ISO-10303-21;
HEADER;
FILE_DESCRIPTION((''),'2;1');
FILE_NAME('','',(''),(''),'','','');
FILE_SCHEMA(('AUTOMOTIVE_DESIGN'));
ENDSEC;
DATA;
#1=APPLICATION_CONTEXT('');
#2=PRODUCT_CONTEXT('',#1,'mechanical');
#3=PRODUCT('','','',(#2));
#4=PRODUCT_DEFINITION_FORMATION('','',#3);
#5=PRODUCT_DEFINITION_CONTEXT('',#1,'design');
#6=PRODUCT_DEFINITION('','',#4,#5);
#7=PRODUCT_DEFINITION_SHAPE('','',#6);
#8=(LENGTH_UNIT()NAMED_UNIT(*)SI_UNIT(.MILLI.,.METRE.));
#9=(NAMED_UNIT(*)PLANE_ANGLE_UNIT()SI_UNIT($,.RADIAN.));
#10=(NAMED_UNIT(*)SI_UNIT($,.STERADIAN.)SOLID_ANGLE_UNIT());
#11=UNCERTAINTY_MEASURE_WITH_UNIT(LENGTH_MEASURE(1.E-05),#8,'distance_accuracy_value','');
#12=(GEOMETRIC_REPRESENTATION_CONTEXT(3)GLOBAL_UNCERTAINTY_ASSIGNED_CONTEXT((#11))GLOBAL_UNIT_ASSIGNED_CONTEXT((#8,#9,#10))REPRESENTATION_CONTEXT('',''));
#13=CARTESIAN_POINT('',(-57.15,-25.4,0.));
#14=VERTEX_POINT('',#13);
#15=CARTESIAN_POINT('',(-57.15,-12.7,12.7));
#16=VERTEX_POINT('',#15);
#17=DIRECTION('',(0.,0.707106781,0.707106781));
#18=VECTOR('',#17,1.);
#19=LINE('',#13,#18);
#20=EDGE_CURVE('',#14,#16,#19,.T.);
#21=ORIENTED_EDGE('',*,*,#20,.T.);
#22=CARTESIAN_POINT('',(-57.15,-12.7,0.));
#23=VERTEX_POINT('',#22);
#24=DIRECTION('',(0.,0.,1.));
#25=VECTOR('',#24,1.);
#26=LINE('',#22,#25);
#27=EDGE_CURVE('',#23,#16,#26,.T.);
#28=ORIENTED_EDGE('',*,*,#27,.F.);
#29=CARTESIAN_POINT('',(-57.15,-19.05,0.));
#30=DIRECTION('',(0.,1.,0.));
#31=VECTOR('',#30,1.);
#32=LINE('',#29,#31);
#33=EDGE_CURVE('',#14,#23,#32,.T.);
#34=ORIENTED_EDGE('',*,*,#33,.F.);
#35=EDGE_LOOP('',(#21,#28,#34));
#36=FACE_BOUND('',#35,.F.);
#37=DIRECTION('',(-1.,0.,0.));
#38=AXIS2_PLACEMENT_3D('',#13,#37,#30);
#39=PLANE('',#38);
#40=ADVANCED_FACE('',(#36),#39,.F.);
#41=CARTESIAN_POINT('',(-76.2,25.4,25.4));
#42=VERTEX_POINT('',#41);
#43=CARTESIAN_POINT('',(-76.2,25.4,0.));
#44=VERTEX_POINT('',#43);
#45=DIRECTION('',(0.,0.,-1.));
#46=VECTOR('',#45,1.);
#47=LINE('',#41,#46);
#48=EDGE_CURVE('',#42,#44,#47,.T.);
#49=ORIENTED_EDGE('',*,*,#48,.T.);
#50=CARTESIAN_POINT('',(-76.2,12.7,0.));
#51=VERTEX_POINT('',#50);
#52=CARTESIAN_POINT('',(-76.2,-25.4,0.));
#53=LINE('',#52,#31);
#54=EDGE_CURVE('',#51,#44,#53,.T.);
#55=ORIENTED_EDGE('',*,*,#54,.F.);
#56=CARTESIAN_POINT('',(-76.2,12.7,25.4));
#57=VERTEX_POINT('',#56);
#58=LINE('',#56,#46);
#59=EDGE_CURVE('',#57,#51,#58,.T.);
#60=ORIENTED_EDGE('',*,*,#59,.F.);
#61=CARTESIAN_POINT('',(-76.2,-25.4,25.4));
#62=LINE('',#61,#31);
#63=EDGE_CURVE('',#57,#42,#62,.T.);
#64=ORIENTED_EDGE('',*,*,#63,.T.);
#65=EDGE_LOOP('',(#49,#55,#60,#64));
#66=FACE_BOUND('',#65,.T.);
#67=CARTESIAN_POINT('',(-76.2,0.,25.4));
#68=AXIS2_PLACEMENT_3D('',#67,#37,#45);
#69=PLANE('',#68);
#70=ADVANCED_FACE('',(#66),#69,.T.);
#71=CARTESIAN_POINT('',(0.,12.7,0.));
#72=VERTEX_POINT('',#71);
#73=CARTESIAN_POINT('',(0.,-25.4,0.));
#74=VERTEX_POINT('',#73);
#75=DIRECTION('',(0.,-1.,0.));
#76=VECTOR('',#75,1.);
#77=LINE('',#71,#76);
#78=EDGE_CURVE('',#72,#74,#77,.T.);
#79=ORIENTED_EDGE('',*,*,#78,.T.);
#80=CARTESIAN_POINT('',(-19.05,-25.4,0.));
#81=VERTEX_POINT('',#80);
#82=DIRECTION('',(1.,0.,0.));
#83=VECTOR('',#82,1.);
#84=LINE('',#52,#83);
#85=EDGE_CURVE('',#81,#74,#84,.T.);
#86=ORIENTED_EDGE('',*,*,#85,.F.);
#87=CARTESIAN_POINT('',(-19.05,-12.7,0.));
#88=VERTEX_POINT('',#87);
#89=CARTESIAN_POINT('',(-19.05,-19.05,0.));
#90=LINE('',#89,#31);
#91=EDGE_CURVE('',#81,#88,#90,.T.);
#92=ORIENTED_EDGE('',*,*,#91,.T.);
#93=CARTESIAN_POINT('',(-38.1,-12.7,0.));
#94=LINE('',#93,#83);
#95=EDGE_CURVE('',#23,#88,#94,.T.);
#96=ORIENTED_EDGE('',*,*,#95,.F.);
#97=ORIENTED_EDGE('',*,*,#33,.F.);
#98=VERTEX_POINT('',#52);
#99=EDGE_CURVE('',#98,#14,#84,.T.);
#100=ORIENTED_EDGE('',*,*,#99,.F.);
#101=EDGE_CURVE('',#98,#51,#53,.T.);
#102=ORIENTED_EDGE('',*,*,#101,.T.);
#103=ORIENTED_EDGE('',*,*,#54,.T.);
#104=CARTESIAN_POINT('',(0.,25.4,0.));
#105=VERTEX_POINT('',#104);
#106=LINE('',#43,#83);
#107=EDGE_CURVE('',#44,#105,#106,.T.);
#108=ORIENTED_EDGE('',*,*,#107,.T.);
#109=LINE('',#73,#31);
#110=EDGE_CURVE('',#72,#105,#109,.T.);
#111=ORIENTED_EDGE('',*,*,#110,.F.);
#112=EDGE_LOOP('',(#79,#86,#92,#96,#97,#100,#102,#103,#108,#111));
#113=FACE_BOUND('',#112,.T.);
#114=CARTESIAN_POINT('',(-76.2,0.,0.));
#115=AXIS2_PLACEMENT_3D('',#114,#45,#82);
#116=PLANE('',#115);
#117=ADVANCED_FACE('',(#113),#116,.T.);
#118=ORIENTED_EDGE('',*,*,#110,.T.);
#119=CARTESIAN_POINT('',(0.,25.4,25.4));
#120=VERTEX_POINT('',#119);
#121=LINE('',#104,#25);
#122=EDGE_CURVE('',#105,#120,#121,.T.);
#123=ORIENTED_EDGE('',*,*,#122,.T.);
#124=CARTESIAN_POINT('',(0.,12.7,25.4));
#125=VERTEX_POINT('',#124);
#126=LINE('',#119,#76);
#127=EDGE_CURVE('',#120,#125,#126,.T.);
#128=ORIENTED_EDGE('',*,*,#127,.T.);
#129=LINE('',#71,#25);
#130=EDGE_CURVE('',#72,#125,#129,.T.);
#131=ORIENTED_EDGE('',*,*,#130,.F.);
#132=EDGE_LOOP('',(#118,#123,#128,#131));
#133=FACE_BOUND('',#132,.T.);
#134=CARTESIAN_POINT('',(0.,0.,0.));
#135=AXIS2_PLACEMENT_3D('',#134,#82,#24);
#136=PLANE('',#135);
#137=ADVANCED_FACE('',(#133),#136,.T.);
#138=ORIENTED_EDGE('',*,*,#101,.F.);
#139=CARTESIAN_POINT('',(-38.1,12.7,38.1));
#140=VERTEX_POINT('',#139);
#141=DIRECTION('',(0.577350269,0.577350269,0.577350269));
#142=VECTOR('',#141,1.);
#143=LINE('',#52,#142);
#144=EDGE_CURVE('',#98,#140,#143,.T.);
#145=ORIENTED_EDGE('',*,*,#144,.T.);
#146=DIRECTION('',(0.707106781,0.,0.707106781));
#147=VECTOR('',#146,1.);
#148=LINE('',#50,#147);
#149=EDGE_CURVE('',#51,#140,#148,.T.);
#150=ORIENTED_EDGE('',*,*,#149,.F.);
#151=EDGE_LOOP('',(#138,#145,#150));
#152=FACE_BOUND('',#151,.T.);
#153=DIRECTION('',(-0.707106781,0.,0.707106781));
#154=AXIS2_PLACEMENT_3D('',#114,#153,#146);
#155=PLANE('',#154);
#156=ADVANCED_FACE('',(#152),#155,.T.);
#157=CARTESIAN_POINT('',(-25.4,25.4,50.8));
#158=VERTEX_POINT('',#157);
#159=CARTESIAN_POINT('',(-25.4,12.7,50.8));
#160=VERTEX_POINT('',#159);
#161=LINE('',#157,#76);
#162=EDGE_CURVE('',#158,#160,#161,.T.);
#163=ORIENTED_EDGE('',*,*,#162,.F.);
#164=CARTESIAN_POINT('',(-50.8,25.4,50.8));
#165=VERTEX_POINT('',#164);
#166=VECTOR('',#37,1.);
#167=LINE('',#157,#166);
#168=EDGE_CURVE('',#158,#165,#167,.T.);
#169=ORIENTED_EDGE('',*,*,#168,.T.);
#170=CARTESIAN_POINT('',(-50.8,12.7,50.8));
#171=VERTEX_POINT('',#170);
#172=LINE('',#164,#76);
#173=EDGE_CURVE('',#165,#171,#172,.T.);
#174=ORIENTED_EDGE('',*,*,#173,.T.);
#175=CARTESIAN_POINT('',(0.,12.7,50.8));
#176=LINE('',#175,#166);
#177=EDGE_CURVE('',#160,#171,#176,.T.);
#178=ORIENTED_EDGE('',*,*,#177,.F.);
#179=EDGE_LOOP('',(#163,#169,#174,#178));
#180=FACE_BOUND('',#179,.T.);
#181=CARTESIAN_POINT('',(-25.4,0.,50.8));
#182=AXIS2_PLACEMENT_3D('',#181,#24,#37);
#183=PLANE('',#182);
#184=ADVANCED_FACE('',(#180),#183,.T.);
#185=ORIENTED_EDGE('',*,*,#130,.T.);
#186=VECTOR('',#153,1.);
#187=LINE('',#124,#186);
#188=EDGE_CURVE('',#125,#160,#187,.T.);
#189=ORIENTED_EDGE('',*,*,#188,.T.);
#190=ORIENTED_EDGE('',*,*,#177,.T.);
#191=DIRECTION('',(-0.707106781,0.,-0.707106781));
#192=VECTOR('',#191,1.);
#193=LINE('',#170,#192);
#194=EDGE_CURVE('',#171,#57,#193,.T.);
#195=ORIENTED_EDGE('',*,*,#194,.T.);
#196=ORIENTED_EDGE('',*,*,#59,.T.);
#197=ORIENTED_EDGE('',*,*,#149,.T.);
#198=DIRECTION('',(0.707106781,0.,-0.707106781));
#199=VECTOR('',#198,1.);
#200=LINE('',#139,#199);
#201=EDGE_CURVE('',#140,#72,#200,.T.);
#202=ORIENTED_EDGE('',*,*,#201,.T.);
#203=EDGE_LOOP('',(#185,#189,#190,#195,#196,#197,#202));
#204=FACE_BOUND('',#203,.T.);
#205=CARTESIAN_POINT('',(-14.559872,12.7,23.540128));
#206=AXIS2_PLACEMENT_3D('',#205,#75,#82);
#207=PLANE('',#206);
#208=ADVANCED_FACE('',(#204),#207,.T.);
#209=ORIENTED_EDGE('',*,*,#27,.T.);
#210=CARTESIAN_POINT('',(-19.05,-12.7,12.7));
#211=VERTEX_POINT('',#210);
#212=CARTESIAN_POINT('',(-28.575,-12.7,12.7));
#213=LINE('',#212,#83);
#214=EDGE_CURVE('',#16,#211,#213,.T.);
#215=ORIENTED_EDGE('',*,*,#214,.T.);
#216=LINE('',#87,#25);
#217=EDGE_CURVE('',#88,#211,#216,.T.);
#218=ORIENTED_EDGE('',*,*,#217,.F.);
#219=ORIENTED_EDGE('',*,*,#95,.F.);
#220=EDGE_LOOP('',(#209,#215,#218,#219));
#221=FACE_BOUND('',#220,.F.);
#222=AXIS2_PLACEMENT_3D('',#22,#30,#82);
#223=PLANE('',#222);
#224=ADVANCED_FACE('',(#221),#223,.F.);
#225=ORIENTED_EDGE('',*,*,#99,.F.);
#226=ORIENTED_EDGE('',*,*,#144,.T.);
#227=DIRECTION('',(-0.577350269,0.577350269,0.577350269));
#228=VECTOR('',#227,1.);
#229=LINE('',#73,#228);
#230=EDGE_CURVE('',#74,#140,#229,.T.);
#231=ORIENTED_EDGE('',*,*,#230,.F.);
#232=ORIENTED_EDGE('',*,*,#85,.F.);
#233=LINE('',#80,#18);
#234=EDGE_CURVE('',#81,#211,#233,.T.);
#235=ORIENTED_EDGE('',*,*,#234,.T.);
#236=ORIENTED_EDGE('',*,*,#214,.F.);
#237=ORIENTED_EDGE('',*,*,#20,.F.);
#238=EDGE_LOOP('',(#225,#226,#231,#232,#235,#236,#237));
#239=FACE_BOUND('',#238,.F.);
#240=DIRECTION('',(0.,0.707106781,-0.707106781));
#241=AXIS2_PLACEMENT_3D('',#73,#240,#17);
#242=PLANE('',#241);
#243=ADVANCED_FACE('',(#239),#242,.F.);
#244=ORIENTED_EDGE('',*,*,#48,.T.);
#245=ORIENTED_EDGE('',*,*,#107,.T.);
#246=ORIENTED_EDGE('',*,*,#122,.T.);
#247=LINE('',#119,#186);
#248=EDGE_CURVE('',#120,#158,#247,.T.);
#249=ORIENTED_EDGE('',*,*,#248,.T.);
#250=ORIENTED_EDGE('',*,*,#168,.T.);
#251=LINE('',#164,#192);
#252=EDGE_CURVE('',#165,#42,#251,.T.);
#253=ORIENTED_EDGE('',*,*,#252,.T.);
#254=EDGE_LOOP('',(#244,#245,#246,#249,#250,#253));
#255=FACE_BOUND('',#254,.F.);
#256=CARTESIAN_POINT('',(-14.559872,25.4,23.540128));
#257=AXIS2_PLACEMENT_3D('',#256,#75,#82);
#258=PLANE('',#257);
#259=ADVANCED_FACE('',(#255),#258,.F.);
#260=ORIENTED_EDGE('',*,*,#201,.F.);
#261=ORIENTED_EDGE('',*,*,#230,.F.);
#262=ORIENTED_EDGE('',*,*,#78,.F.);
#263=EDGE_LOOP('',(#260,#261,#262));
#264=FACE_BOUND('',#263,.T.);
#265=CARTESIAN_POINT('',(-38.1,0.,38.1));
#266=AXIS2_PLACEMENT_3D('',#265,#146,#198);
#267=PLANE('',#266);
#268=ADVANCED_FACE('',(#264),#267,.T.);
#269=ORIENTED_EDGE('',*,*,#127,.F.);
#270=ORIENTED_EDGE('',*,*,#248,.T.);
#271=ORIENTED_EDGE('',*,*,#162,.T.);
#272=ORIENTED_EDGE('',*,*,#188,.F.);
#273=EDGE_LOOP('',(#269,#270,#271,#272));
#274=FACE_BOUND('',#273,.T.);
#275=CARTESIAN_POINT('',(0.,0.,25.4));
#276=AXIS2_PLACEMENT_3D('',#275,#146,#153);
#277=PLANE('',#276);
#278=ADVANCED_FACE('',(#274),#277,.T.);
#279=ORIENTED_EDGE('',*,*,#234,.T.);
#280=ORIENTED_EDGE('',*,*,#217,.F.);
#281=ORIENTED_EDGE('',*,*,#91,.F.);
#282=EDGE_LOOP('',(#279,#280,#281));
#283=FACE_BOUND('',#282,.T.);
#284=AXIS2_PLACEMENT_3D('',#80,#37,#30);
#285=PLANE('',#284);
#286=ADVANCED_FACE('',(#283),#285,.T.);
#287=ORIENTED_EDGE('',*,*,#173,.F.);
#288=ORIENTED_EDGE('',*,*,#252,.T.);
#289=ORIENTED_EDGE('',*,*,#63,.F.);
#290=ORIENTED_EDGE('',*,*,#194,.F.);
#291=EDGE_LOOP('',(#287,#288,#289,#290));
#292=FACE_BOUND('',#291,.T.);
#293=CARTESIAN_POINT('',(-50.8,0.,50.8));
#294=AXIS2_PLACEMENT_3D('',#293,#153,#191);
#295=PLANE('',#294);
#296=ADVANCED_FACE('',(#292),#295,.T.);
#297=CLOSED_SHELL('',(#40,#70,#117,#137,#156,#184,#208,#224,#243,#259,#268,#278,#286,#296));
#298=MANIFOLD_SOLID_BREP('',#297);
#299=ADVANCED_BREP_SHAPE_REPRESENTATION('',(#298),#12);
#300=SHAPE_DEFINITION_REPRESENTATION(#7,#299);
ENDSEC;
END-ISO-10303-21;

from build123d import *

# Parameters (mm, degrees)
F0_W     = 38.1
F0_H     = 12.7
F1_DEPTH = 25.4
F3_DEPTH = 76.201
F4_W     = 38.1
F4_H     = 12.7
F5_DEPTH = 50.801
F6_DEPTH = 12.7
F7_DEPTH = 25.4


with BuildPart() as f1:
    # F0 (on Front) → F1 (new body, symmetric)
    with BuildSketch(Plane.XZ):
        Polygon((-38.1, 38.1), (0, 0), (0, 25.4), (-12.7, 38.1), align=None)
        Polygon((-19.05, 0), (0, 0), (-38.1, 38.1), (-76.2, 0), (-57.15, 0), (-57.15, 12.7), (-19.05, 12.7), align=None)
        with Locations((-38.1, 6.35)):
            Rectangle(F0_W, F0_H)
        Polygon((-76.2, 0), (-38.1, 38.1), (-63.5, 38.1), (-76.2, 25.4), align=None)
        Polygon((-63.5, 38.1), (-38.1, 38.1), (-12.7, 38.1), (-25.4, 50.8), (-50.8, 50.8), align=None)
    extrude(amount=F1_DEPTH, both=True)

    # F2 (on Right) → F3 (cut, through all)
    with BuildSketch(Plane.YZ):
        Polygon((12.7, 38.1), (12.7, 50.8), (-25.4, 50.8), (-25.4, 0), align=None)
    extrude(amount=-F3_DEPTH, mode=Mode.SUBTRACT)

    # F4 (on Top) → F5 (cut, through all)
    with BuildSketch(Plane.XY):
        with Locations((-38.1, -19.05)):
            Rectangle(F4_W, F4_H)
    extrude(amount=F5_DEPTH, mode=Mode.SUBTRACT)

    # F0 (on Front) → F6 (cut, symmetric)
    with BuildSketch(Plane.XZ):
        Polygon((-76.2, 0), (-38.1, 38.1), (-63.5, 38.1), (-76.2, 25.4), align=None)
        Polygon((-38.1, 38.1), (0, 0), (0, 25.4), (-12.7, 38.1), align=None)
    extrude(amount=F6_DEPTH, both=True, mode=Mode.SUBTRACT)

    # F0 (on Front) → F7 (cut)
    with BuildSketch(Plane.XZ):
        Polygon((-76.2, 0), (-38.1, 38.1), (-63.5, 38.1), (-76.2, 25.4), align=None)
        Polygon((-38.1, 38.1), (0, 0), (0, 25.4), (-12.7, 38.1), align=None)
    extrude(amount=F7_DEPTH, mode=Mode.SUBTRACT)


solid = f1.part
